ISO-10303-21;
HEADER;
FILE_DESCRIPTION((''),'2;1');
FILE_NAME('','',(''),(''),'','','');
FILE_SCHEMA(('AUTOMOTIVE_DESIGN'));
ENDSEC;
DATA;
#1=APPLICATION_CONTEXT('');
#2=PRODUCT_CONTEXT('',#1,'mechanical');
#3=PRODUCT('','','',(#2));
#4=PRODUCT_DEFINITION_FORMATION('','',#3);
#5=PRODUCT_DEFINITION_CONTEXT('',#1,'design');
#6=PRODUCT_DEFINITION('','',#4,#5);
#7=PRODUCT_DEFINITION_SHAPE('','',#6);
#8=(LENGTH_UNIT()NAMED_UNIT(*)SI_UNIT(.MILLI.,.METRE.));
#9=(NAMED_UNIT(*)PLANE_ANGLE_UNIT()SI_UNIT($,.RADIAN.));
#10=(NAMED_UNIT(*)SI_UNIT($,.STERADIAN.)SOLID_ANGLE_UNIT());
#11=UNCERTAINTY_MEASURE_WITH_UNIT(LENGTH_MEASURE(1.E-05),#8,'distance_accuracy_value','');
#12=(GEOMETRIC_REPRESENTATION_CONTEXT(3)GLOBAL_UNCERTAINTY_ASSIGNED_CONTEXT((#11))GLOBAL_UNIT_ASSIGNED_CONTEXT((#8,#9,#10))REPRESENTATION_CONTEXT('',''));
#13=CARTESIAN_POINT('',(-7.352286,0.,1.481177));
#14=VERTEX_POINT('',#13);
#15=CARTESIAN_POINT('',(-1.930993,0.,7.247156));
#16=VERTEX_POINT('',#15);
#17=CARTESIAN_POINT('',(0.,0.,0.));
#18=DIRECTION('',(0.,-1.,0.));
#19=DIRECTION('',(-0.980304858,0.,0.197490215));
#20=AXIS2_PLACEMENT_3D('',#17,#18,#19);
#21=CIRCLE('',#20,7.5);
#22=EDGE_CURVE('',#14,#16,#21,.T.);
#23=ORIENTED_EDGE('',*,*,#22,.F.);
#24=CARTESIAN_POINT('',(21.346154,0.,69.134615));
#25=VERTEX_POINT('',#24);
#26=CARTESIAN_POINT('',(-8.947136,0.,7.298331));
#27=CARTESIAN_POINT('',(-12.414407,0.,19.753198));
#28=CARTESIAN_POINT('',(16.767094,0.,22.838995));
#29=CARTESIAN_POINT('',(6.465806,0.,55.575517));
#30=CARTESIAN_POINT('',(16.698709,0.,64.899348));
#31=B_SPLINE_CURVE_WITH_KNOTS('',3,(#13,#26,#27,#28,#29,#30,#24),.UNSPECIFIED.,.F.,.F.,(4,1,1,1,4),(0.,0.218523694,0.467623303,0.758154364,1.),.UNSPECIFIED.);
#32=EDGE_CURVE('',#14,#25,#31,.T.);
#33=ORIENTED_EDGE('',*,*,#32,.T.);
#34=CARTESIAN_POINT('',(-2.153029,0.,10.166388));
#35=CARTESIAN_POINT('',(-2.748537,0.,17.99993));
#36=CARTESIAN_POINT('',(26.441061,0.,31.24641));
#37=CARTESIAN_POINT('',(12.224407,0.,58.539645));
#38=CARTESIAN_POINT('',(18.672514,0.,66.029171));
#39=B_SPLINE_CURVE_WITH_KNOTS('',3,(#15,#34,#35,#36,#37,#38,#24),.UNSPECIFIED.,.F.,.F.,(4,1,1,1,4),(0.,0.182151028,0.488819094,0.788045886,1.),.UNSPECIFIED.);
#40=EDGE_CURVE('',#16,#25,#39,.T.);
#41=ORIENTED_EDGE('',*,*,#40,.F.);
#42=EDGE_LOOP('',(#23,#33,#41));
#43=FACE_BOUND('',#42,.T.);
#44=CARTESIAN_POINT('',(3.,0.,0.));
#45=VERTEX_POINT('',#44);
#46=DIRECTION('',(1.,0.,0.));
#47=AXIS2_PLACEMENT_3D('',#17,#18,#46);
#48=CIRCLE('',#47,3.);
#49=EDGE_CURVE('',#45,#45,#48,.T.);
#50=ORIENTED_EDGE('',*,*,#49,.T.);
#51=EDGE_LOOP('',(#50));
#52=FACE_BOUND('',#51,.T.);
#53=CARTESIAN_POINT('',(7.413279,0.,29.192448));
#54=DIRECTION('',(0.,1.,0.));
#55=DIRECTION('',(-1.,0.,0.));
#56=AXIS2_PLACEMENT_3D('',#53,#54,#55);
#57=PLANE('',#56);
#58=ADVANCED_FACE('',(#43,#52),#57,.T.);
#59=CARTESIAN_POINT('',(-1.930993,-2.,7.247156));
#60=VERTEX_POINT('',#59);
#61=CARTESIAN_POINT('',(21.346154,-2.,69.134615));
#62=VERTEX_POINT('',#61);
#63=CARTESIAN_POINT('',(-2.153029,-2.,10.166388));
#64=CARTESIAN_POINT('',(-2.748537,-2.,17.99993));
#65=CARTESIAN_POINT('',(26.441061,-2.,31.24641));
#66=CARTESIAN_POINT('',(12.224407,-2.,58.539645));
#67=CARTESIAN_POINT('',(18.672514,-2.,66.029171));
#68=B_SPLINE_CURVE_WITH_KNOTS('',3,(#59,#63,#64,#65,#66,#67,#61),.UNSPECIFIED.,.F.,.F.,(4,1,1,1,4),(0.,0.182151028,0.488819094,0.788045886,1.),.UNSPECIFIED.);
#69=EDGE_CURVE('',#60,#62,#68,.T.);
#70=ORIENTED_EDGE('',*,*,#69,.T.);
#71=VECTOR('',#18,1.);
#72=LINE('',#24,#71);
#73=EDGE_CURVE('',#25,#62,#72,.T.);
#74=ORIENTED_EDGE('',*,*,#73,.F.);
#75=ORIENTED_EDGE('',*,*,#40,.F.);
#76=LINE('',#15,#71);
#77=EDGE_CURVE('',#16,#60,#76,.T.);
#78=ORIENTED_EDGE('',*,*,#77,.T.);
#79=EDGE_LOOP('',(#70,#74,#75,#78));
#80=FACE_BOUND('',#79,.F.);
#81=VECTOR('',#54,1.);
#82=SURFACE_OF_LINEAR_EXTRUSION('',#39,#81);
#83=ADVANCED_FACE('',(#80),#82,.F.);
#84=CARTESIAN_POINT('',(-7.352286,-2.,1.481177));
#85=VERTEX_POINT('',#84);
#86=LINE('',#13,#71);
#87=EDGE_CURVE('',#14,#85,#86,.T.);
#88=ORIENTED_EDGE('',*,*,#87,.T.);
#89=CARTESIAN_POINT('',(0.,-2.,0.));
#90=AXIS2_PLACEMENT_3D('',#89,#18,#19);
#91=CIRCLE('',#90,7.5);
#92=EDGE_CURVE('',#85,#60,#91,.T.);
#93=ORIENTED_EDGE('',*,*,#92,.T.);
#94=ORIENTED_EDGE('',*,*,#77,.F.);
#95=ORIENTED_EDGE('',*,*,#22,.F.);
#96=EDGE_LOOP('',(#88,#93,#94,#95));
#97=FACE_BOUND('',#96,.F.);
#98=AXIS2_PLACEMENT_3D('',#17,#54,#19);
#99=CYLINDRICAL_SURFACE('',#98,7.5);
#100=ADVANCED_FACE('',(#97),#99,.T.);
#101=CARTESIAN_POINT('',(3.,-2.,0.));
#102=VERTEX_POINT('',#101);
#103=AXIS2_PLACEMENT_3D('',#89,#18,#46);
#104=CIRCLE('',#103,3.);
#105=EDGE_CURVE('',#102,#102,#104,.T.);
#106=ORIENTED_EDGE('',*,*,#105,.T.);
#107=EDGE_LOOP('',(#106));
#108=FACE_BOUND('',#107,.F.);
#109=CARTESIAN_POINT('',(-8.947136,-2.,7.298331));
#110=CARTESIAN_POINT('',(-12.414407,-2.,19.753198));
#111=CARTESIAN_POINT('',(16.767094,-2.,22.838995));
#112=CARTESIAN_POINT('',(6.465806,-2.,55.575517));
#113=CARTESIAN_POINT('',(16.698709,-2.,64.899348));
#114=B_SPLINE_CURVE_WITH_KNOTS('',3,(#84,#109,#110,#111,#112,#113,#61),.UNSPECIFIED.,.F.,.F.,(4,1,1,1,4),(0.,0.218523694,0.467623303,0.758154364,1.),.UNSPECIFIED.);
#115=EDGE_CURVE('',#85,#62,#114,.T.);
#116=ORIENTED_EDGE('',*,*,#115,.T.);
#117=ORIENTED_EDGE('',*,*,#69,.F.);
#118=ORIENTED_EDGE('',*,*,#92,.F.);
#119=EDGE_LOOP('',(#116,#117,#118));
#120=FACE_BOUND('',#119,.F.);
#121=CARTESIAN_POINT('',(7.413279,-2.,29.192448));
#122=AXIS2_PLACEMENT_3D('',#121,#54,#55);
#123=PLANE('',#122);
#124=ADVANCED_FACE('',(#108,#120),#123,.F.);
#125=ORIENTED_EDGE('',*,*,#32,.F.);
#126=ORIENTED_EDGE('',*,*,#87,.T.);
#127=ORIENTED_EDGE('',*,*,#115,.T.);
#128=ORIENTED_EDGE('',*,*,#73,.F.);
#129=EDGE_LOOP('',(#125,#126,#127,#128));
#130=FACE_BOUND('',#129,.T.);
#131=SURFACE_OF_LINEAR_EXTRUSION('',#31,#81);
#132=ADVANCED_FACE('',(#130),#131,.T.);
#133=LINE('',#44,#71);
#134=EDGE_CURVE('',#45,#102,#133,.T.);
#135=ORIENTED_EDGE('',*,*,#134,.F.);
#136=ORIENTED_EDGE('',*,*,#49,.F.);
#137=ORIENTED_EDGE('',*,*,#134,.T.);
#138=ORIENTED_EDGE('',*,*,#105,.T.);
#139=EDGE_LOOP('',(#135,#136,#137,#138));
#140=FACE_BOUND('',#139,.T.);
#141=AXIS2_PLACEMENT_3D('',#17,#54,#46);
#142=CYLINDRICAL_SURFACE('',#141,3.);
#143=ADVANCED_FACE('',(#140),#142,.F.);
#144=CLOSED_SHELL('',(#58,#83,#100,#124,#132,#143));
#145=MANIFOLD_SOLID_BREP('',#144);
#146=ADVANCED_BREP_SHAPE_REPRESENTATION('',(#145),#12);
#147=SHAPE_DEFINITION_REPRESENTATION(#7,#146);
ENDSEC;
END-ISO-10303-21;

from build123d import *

# Parameters (mm, degrees)
F0_R     = 3
F1_DEPTH = 2


with BuildPart() as f1:
    # F0 (on Front) → F1 (new body)
    with BuildSketch(Plane.XZ):
        with BuildLine():
            add(Edge.make_bspline(
                [(-7.3522864358, 1.4811766154), (-8.9471361632, 7.2983312126), (-12.4144073579, 19.753197622), (16.7670943218, 22.8389948987), (6.4658064346, 55.5755168784), (16.6987089143, 64.8993482025), (21.3461536914, 69.1346153617)],
                knots=[0, 0, 0, 0, 0.2185236943, 0.4676233025, 0.7581543639, 1, 1, 1, 1], degree=3))
            ThreePointArc((-7.3522864358, 1.4811766154), (5.464105474, -5.1374654615), (-1.9309931552, 7.2471556789))
            add(Edge.make_bspline(
                [(-1.9309931552, 7.2471556789), (-2.1530287899, 10.166387882), (-2.7485374534, 17.9999295301), (26.4410605211, 31.246410226), (12.2244066057, 58.5396449003), (18.6725142035, 66.0291706458), (21.3461536914, 69.1346153617)],
                knots=[0, 0, 0, 0, 0.1821510276, 0.4888190939, 0.7880458859, 1, 1, 1, 1], degree=3))
        make_face()
        Circle(F0_R, mode=Mode.SUBTRACT)
    extrude(amount=F1_DEPTH)


solid = f1.part
